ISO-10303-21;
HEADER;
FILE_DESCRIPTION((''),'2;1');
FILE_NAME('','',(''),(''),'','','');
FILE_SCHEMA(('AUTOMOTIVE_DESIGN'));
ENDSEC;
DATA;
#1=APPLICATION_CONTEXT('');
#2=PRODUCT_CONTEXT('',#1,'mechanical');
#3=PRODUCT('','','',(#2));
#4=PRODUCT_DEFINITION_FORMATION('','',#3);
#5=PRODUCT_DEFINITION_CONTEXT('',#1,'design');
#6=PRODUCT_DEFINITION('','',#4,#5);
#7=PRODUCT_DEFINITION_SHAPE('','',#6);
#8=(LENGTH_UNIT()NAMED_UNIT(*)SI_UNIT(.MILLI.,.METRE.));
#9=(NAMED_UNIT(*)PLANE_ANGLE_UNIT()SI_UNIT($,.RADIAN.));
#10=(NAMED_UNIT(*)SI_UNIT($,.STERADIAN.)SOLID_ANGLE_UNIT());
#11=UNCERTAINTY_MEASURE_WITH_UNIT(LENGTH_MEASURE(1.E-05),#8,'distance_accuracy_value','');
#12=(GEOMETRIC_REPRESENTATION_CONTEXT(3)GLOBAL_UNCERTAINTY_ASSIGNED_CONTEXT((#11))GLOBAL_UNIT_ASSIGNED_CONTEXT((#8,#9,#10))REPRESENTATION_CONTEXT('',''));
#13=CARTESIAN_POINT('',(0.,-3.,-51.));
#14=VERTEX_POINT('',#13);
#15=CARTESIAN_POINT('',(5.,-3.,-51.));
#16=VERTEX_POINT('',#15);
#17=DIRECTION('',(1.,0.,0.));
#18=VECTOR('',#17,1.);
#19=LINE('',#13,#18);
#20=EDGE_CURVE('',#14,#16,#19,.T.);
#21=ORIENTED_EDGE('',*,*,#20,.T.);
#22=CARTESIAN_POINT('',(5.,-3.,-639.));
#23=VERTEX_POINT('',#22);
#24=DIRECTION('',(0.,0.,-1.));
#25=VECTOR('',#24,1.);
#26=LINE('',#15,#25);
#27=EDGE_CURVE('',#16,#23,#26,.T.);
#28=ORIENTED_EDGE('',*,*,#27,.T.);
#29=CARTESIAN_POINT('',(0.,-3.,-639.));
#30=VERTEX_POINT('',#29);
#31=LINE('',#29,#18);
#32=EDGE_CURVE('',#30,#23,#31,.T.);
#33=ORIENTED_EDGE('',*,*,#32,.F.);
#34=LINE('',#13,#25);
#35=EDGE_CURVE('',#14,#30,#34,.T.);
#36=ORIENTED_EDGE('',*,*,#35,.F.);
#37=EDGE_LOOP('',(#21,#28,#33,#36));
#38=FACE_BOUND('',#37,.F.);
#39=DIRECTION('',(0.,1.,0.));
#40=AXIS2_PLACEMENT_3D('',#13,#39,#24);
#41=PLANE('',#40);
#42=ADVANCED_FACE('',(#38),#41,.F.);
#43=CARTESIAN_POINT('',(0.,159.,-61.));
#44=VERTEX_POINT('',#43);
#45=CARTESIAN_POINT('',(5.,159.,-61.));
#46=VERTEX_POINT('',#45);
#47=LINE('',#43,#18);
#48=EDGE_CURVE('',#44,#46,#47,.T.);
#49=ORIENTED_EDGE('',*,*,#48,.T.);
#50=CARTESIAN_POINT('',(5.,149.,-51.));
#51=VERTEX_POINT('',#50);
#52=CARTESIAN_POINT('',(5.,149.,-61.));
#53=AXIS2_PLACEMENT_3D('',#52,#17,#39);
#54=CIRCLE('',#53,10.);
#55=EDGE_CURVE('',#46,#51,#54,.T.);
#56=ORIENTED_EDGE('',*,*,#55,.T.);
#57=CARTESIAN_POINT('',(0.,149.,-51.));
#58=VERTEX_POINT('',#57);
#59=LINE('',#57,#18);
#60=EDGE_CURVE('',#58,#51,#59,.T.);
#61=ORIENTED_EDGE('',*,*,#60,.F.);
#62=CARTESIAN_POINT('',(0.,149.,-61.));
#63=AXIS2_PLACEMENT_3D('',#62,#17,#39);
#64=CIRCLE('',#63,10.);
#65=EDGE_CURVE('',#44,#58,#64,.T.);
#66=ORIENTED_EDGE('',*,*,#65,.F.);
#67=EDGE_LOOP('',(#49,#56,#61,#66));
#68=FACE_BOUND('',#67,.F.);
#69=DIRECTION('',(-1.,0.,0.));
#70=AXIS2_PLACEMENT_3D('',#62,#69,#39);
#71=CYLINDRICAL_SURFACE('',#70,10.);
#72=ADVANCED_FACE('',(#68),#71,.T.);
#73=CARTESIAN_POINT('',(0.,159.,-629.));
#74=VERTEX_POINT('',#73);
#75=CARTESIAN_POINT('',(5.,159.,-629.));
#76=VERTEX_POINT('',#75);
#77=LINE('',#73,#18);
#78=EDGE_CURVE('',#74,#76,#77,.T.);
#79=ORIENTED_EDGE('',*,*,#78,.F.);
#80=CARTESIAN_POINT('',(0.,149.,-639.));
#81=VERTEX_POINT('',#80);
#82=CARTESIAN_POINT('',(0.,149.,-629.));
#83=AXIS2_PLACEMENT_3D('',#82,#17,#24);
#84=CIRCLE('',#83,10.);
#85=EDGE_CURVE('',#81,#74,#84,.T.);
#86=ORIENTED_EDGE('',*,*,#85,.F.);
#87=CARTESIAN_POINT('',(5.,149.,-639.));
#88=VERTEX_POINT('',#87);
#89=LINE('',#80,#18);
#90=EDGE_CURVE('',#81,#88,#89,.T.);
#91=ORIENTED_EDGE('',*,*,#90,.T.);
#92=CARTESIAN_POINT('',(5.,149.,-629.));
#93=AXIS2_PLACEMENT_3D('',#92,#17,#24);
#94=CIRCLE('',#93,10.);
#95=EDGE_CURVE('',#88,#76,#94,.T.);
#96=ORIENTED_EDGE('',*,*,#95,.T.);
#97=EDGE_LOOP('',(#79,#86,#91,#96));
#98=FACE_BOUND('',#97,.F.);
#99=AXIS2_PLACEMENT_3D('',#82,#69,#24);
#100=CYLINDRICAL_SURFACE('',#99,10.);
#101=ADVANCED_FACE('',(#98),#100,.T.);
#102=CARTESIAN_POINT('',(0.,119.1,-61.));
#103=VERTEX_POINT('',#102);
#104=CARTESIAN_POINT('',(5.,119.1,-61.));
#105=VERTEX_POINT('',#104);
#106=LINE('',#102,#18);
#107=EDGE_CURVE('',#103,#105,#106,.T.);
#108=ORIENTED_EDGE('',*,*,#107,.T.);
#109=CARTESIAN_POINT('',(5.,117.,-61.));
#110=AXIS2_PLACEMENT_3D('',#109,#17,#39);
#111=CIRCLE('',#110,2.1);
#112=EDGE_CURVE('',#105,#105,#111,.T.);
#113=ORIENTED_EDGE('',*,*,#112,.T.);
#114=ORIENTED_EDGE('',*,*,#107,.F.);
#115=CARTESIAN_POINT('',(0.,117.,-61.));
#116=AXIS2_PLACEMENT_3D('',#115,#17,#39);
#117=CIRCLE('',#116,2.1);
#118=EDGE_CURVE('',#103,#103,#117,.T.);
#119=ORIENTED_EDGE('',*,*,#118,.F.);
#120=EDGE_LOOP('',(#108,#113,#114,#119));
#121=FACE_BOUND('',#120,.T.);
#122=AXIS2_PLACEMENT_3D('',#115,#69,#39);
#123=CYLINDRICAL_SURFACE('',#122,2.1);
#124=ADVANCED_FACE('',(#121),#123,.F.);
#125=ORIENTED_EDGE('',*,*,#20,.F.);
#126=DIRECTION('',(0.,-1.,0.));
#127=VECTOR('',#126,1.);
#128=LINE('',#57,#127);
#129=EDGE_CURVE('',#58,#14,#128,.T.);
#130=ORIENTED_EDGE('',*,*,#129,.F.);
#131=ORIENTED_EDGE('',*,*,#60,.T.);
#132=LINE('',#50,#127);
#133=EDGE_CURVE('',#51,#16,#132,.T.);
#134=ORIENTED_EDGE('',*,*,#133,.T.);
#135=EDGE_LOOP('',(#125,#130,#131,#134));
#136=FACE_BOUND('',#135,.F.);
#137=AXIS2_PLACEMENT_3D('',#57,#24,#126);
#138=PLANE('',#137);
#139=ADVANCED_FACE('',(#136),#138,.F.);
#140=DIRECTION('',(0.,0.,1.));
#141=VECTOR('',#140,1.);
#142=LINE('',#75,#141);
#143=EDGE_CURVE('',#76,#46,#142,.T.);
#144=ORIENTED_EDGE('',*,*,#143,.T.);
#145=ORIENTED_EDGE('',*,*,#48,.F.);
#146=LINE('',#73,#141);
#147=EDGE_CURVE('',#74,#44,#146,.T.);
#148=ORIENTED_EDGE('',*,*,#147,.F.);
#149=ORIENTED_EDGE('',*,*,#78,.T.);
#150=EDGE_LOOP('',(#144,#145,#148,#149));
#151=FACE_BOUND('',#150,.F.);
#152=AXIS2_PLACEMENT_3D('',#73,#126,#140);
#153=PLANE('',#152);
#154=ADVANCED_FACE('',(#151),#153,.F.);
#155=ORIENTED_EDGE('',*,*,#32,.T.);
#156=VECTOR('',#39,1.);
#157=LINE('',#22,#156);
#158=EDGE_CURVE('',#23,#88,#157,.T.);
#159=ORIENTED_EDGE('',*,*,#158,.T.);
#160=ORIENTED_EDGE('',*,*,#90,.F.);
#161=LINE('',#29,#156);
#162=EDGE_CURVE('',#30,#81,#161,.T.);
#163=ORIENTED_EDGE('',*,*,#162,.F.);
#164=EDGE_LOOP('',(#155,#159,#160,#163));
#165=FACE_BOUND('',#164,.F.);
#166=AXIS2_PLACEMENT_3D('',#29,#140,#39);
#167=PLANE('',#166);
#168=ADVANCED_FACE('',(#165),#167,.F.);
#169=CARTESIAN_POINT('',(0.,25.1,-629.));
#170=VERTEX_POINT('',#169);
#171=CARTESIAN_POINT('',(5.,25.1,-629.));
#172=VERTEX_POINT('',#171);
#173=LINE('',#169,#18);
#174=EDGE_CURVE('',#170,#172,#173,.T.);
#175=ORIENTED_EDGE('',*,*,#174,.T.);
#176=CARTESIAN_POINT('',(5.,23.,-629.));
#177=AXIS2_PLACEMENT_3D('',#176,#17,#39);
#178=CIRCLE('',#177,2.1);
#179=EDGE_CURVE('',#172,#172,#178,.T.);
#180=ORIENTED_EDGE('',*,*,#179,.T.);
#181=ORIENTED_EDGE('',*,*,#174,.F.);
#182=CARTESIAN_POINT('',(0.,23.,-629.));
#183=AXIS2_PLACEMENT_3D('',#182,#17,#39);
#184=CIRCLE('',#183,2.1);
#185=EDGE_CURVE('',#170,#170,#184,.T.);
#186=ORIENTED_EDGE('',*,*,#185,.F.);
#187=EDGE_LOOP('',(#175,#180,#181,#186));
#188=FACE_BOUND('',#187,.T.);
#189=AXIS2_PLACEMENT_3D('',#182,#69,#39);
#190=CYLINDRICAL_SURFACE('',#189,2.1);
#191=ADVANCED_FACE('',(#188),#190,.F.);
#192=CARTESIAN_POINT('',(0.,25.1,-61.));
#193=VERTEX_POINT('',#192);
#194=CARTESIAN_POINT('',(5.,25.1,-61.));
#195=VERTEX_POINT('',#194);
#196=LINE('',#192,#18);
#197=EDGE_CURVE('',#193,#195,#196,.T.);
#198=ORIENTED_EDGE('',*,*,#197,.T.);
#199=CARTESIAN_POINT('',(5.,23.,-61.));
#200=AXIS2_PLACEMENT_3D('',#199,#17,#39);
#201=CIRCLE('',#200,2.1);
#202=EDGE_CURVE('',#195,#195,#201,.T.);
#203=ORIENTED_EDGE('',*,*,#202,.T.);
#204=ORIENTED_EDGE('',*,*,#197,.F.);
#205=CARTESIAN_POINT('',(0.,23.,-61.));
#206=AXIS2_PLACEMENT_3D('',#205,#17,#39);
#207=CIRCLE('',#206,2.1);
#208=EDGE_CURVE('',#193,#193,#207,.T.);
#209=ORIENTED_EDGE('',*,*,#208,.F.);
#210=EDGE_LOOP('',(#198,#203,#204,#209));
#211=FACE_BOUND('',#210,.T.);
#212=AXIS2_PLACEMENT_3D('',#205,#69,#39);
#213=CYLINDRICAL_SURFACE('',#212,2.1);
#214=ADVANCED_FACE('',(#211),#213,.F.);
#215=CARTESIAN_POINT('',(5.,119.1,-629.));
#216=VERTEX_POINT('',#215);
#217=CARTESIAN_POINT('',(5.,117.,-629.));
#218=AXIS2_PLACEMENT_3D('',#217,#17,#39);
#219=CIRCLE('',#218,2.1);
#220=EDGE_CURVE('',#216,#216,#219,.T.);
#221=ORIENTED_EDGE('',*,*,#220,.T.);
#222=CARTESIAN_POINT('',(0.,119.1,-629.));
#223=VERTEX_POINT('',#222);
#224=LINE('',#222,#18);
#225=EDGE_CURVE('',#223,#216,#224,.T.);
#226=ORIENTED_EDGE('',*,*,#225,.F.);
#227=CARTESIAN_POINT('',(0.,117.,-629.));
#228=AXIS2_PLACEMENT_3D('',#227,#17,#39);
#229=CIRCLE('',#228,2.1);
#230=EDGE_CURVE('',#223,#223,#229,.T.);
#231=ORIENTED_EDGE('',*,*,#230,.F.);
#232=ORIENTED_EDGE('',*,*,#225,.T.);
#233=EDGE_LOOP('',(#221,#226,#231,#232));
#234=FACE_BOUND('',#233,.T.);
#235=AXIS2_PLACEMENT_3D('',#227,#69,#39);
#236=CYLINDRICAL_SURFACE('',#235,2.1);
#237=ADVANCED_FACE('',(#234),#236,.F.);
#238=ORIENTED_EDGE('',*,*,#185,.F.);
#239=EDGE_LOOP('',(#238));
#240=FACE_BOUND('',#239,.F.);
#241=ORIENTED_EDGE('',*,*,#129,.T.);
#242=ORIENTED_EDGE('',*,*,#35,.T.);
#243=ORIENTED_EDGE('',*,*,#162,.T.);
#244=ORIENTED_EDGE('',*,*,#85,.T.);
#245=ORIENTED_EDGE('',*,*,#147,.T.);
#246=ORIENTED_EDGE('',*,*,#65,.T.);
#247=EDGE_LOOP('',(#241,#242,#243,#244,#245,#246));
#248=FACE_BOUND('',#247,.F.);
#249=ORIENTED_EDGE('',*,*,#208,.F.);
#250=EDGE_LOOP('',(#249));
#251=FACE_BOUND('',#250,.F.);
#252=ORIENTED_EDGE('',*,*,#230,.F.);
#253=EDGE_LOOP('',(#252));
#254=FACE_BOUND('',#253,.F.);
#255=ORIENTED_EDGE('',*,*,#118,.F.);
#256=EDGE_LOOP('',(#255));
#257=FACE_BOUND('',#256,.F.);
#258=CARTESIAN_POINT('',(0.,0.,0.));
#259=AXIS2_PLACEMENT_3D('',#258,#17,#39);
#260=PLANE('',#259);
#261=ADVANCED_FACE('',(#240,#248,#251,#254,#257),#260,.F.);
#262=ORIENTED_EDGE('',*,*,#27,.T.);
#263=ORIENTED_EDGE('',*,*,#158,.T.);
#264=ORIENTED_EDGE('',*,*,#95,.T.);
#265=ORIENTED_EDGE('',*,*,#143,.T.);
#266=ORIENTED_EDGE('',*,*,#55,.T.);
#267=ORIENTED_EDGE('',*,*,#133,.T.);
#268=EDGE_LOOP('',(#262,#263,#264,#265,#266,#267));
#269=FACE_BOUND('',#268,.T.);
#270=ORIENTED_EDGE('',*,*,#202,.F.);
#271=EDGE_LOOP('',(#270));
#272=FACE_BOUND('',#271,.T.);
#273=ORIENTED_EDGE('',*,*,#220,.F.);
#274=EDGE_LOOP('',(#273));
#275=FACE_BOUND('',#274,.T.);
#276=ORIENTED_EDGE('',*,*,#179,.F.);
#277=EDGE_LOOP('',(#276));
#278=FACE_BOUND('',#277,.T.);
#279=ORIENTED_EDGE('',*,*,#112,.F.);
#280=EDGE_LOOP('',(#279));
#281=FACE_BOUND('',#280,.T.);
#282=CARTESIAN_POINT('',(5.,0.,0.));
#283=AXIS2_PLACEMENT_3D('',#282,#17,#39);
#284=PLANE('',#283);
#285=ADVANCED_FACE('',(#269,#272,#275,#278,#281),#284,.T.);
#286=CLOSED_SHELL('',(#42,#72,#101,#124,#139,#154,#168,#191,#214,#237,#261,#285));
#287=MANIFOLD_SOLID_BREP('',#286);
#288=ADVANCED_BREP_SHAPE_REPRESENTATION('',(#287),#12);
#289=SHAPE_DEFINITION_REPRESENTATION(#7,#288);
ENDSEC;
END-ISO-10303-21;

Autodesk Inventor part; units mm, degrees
ref_plane "YZ Plane" through (0, 0, 0) normal (1, 0, 0) x (0, 1, 0)
ref_plane "XZ Plane" through (0, 0, 0) normal (0, 1, 0) x (-1, 0, 0)
ref_plane "XY Plane" through (0, 0, 0) normal (0, 0, 1) x (1, 0, 0)
sketch "Skizze1" plane through (0, 0, 0) normal (1, 0, 0) x (0, 1, 0)
  line L0 (149, -51) -> (-3, -51)
  line L1 (-3, -51) -> (-3, -639)
  line L2 (-3, -639) -> (149, -639)
  line L3 (159, -629) -> (159, -61)
  arc A0 (159, -61) -> (149, -51) centre (149, -61) ccw
  line L4 (-3, -51) -> (149, -51) projected
  line L5 (-3, -51) -> (-3, -639) projected
  arc A1 (149, -639) -> (159, -629) centre (149, -629) ccw
  line L6 (117, -61) -> (23, -61) construction
  line L7 (23, -61) -> (23, -629) construction
  line L8 (23, -629) -> (117, -629) construction
  line L9 (117, -629) -> (117, -61) construction
  circle A2 centre (117, -61) radius 2.1
  circle A3 centre (117, -629) radius 2.1
  circle A4 centre (23, -629) radius 2.1
  circle A5 centre (23, -61) radius 2.1
  point P0 (0, 0)
  point P1 (73, -639)
  dimension "d0" = 10
  dimension "d3" = 588
  dimension "d4" = 162
  dimension "d5" = 0
  dimension "d6" = 0
  dimension "d7" = 10
  dimension "d8" = 4.2
  dimension "d9" = 4.2
  dimension "d10" = 4.2
  dimension "d11" = 4.2
  dimension "d12" = 568
  dimension "d13" = 94
  dimension "d14" = 26
  dimension "d15" = 10
extrude "Extrusion1" add sketch "Skizze1" along normal blind 5 contours A0 L3 A1 L2 L1 L0 | A2 | A3 | A4 | A5
extrude "Extrusion2" cut sketch "Skizze1" along normal blind 5 contours A2 | A3 | A4 | A5
properties part number "Plexiglasabdeckung" material "Polycarbonat, rauchfarben"
